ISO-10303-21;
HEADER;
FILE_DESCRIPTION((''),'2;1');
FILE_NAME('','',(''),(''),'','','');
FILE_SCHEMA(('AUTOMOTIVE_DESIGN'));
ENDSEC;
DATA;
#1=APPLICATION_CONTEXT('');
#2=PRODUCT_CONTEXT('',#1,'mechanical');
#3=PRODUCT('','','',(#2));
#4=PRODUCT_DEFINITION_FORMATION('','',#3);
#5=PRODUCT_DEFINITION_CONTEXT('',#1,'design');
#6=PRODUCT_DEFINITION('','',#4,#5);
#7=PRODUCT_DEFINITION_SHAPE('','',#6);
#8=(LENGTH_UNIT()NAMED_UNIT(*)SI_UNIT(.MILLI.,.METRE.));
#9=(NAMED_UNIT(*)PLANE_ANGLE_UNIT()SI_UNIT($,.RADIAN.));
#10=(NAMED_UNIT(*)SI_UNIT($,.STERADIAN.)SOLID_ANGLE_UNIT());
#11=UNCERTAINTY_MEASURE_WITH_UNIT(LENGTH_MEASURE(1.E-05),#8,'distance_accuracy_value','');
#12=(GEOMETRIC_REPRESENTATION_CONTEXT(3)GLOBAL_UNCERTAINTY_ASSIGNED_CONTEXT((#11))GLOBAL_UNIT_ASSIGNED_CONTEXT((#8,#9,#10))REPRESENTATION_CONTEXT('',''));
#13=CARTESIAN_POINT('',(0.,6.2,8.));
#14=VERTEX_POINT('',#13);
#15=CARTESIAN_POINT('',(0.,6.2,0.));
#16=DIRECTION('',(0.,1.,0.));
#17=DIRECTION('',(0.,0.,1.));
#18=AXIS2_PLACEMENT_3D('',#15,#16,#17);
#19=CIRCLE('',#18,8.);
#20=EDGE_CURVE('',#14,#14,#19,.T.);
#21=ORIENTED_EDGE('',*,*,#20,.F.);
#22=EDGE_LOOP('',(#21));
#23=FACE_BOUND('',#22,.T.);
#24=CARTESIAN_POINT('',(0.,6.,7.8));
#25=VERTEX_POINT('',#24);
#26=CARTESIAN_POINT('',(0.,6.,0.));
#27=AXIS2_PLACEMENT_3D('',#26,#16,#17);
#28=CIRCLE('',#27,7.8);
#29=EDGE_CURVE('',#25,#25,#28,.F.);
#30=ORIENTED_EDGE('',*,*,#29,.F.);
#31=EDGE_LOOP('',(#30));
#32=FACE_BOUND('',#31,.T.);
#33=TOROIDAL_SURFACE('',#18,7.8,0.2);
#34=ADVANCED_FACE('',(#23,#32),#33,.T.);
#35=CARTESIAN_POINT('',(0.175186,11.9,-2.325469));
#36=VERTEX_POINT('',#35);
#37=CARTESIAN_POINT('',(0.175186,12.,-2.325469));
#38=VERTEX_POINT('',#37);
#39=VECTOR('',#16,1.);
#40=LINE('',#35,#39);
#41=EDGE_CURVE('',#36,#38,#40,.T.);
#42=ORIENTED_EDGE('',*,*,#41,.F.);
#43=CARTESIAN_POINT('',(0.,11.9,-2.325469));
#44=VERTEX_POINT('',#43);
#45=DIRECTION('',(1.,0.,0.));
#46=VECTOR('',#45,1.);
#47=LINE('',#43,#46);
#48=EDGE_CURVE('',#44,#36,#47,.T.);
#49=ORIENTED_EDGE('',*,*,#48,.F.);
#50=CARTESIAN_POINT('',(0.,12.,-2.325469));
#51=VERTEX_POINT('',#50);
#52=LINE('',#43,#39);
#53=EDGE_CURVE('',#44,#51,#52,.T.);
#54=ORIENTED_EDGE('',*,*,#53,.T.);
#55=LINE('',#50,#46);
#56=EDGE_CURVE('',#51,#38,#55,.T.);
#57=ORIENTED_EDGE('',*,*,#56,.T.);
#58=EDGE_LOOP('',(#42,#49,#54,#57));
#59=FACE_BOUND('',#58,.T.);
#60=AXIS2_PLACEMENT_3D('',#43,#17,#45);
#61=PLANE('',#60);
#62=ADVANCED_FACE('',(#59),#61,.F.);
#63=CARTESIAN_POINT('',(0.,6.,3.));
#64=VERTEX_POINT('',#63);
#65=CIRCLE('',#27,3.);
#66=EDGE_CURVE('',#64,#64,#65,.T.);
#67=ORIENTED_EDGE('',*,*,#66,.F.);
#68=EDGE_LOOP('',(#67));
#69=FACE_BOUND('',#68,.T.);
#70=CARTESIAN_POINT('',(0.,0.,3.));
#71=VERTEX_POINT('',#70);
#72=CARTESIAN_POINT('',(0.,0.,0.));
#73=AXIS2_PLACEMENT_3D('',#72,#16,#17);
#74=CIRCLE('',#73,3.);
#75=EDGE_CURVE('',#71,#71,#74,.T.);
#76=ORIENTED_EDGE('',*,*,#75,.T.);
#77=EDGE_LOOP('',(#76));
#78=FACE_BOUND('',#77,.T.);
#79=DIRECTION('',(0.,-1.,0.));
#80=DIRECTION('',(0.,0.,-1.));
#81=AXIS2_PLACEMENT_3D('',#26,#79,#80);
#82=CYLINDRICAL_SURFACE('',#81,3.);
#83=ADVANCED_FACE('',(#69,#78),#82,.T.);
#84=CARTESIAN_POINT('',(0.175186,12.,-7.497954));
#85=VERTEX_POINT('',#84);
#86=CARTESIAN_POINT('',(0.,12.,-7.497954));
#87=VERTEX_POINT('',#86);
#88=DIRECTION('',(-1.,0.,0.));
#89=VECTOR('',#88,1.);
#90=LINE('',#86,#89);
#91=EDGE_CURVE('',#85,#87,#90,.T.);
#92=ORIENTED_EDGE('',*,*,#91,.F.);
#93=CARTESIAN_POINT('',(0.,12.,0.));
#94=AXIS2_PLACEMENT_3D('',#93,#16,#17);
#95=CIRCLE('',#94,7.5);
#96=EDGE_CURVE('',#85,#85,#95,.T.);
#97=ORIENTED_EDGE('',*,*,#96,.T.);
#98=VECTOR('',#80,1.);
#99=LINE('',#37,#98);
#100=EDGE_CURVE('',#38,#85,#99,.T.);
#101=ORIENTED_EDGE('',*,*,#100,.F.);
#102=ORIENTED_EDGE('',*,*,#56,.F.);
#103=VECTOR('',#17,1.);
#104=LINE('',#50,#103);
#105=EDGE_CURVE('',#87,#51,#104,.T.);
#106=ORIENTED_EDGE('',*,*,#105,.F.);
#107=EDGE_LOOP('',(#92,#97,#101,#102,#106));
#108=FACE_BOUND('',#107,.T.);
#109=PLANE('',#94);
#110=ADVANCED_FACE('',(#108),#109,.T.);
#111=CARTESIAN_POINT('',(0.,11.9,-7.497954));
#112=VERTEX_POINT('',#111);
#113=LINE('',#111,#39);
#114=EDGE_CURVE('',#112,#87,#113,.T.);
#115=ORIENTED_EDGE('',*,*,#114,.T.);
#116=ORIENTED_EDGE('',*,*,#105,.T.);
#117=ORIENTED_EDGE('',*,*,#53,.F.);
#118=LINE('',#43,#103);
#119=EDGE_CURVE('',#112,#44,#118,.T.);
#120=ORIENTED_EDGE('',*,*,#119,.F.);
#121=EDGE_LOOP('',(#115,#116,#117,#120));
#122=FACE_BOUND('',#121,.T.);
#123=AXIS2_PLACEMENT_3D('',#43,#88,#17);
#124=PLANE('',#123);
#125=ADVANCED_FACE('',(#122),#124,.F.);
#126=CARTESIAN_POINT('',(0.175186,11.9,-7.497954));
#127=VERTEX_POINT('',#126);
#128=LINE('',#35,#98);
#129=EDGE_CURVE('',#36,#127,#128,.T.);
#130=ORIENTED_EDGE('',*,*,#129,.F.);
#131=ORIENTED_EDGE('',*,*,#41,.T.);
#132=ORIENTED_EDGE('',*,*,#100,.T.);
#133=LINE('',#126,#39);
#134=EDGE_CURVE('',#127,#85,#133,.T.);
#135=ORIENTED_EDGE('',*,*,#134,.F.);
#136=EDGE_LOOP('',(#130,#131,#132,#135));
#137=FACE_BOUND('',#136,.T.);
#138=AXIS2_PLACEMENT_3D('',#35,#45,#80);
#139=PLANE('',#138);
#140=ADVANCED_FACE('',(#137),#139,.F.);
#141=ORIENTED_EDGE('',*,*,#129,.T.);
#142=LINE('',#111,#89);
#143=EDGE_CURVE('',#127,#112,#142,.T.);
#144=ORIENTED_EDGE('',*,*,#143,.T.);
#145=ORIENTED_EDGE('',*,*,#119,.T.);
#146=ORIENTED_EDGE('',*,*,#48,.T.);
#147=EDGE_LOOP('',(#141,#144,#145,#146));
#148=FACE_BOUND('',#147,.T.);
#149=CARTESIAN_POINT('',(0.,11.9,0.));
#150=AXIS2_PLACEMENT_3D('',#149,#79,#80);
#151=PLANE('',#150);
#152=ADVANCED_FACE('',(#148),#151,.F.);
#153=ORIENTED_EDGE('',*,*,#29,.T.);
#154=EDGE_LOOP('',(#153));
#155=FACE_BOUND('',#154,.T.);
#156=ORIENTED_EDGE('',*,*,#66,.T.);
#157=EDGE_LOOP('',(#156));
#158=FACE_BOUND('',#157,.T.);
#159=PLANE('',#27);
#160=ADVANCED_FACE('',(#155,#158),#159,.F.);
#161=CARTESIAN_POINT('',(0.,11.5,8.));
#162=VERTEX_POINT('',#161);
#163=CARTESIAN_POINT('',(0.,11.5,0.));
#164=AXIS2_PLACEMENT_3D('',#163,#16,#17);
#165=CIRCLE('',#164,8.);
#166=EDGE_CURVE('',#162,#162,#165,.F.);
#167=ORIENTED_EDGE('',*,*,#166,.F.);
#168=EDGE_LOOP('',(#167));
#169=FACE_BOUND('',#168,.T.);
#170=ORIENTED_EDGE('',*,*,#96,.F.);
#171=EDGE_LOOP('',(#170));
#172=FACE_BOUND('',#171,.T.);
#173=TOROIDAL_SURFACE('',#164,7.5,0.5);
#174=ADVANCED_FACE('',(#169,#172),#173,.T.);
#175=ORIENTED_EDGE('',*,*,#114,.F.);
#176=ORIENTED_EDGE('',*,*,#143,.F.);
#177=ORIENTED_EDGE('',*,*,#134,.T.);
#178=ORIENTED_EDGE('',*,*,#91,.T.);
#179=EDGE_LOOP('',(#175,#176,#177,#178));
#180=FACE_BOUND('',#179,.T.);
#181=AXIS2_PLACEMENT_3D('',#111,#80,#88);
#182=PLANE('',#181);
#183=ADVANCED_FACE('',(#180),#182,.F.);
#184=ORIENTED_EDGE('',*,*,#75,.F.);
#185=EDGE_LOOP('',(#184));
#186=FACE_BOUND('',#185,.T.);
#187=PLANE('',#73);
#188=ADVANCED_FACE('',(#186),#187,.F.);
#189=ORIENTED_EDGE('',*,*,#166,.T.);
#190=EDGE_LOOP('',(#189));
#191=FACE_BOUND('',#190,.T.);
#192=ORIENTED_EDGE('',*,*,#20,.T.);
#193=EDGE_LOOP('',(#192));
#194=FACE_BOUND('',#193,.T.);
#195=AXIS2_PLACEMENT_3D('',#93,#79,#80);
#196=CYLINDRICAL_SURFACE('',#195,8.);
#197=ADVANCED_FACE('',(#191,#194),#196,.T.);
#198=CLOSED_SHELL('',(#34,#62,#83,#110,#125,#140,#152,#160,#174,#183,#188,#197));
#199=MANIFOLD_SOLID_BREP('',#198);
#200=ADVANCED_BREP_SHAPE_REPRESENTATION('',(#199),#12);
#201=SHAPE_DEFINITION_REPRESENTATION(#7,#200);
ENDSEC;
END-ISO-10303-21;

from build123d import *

# Parameters (mm, degrees)
SKETCH1_R           = 3
BOSS_EXTRUDE1_DEPTH = 6
SKETCH2_R           = 8
BOSS_EXTRUDE2_DEPTH = 6
FILLET2_R           = 0.2
FILLET3_R           = 0.5
SKETCH5_W           = 0.175185834
SKETCH5_H           = 5.17248517
CUT_EXTRUDE1_DEPTH  = 0.1


with BuildPart() as part:
    # Sketch1 → Boss-Extrude1 (new body)
    with BuildSketch(Plane(origin=(0, 0, 0), x_dir=(1, 0, 0), z_dir=(0, 1, 0))):
        Circle(SKETCH1_R)
    extrude(amount=BOSS_EXTRUDE1_DEPTH)

    # Sketch2 → Boss-Extrude2 (add)
    with BuildSketch(Plane(origin=(0, 6, 0), x_dir=(1, 0, 0), z_dir=(0, 1, 0))):
        Circle(SKETCH2_R)
    extrude(amount=BOSS_EXTRUDE2_DEPTH)

    # Fillet2
    fillet2_edges = [part.edges().sort_by_distance(p)[0] for p in [
        (-8, 6, 0),
    ]]
    fillet(fillet2_edges, radius=FILLET2_R)

    # Fillet3
    fillet3_edges = [part.edges().sort_by_distance(p)[0] for p in [
        (-8, 12, 0),
    ]]
    fillet(fillet3_edges, radius=FILLET3_R)

    # Sketch5 → Cut-Extrude1 (cut)
    with BuildSketch(Plane(origin=(0, 12, 0), x_dir=(1, 0, 0), z_dir=(0, 1, 0))):
        with Locations((0.087592917, 4.911711131)):
            Rectangle(SKETCH5_W, SKETCH5_H)
    extrude(amount=-CUT_EXTRUDE1_DEPTH, mode=Mode.SUBTRACT)


solid = part.part
